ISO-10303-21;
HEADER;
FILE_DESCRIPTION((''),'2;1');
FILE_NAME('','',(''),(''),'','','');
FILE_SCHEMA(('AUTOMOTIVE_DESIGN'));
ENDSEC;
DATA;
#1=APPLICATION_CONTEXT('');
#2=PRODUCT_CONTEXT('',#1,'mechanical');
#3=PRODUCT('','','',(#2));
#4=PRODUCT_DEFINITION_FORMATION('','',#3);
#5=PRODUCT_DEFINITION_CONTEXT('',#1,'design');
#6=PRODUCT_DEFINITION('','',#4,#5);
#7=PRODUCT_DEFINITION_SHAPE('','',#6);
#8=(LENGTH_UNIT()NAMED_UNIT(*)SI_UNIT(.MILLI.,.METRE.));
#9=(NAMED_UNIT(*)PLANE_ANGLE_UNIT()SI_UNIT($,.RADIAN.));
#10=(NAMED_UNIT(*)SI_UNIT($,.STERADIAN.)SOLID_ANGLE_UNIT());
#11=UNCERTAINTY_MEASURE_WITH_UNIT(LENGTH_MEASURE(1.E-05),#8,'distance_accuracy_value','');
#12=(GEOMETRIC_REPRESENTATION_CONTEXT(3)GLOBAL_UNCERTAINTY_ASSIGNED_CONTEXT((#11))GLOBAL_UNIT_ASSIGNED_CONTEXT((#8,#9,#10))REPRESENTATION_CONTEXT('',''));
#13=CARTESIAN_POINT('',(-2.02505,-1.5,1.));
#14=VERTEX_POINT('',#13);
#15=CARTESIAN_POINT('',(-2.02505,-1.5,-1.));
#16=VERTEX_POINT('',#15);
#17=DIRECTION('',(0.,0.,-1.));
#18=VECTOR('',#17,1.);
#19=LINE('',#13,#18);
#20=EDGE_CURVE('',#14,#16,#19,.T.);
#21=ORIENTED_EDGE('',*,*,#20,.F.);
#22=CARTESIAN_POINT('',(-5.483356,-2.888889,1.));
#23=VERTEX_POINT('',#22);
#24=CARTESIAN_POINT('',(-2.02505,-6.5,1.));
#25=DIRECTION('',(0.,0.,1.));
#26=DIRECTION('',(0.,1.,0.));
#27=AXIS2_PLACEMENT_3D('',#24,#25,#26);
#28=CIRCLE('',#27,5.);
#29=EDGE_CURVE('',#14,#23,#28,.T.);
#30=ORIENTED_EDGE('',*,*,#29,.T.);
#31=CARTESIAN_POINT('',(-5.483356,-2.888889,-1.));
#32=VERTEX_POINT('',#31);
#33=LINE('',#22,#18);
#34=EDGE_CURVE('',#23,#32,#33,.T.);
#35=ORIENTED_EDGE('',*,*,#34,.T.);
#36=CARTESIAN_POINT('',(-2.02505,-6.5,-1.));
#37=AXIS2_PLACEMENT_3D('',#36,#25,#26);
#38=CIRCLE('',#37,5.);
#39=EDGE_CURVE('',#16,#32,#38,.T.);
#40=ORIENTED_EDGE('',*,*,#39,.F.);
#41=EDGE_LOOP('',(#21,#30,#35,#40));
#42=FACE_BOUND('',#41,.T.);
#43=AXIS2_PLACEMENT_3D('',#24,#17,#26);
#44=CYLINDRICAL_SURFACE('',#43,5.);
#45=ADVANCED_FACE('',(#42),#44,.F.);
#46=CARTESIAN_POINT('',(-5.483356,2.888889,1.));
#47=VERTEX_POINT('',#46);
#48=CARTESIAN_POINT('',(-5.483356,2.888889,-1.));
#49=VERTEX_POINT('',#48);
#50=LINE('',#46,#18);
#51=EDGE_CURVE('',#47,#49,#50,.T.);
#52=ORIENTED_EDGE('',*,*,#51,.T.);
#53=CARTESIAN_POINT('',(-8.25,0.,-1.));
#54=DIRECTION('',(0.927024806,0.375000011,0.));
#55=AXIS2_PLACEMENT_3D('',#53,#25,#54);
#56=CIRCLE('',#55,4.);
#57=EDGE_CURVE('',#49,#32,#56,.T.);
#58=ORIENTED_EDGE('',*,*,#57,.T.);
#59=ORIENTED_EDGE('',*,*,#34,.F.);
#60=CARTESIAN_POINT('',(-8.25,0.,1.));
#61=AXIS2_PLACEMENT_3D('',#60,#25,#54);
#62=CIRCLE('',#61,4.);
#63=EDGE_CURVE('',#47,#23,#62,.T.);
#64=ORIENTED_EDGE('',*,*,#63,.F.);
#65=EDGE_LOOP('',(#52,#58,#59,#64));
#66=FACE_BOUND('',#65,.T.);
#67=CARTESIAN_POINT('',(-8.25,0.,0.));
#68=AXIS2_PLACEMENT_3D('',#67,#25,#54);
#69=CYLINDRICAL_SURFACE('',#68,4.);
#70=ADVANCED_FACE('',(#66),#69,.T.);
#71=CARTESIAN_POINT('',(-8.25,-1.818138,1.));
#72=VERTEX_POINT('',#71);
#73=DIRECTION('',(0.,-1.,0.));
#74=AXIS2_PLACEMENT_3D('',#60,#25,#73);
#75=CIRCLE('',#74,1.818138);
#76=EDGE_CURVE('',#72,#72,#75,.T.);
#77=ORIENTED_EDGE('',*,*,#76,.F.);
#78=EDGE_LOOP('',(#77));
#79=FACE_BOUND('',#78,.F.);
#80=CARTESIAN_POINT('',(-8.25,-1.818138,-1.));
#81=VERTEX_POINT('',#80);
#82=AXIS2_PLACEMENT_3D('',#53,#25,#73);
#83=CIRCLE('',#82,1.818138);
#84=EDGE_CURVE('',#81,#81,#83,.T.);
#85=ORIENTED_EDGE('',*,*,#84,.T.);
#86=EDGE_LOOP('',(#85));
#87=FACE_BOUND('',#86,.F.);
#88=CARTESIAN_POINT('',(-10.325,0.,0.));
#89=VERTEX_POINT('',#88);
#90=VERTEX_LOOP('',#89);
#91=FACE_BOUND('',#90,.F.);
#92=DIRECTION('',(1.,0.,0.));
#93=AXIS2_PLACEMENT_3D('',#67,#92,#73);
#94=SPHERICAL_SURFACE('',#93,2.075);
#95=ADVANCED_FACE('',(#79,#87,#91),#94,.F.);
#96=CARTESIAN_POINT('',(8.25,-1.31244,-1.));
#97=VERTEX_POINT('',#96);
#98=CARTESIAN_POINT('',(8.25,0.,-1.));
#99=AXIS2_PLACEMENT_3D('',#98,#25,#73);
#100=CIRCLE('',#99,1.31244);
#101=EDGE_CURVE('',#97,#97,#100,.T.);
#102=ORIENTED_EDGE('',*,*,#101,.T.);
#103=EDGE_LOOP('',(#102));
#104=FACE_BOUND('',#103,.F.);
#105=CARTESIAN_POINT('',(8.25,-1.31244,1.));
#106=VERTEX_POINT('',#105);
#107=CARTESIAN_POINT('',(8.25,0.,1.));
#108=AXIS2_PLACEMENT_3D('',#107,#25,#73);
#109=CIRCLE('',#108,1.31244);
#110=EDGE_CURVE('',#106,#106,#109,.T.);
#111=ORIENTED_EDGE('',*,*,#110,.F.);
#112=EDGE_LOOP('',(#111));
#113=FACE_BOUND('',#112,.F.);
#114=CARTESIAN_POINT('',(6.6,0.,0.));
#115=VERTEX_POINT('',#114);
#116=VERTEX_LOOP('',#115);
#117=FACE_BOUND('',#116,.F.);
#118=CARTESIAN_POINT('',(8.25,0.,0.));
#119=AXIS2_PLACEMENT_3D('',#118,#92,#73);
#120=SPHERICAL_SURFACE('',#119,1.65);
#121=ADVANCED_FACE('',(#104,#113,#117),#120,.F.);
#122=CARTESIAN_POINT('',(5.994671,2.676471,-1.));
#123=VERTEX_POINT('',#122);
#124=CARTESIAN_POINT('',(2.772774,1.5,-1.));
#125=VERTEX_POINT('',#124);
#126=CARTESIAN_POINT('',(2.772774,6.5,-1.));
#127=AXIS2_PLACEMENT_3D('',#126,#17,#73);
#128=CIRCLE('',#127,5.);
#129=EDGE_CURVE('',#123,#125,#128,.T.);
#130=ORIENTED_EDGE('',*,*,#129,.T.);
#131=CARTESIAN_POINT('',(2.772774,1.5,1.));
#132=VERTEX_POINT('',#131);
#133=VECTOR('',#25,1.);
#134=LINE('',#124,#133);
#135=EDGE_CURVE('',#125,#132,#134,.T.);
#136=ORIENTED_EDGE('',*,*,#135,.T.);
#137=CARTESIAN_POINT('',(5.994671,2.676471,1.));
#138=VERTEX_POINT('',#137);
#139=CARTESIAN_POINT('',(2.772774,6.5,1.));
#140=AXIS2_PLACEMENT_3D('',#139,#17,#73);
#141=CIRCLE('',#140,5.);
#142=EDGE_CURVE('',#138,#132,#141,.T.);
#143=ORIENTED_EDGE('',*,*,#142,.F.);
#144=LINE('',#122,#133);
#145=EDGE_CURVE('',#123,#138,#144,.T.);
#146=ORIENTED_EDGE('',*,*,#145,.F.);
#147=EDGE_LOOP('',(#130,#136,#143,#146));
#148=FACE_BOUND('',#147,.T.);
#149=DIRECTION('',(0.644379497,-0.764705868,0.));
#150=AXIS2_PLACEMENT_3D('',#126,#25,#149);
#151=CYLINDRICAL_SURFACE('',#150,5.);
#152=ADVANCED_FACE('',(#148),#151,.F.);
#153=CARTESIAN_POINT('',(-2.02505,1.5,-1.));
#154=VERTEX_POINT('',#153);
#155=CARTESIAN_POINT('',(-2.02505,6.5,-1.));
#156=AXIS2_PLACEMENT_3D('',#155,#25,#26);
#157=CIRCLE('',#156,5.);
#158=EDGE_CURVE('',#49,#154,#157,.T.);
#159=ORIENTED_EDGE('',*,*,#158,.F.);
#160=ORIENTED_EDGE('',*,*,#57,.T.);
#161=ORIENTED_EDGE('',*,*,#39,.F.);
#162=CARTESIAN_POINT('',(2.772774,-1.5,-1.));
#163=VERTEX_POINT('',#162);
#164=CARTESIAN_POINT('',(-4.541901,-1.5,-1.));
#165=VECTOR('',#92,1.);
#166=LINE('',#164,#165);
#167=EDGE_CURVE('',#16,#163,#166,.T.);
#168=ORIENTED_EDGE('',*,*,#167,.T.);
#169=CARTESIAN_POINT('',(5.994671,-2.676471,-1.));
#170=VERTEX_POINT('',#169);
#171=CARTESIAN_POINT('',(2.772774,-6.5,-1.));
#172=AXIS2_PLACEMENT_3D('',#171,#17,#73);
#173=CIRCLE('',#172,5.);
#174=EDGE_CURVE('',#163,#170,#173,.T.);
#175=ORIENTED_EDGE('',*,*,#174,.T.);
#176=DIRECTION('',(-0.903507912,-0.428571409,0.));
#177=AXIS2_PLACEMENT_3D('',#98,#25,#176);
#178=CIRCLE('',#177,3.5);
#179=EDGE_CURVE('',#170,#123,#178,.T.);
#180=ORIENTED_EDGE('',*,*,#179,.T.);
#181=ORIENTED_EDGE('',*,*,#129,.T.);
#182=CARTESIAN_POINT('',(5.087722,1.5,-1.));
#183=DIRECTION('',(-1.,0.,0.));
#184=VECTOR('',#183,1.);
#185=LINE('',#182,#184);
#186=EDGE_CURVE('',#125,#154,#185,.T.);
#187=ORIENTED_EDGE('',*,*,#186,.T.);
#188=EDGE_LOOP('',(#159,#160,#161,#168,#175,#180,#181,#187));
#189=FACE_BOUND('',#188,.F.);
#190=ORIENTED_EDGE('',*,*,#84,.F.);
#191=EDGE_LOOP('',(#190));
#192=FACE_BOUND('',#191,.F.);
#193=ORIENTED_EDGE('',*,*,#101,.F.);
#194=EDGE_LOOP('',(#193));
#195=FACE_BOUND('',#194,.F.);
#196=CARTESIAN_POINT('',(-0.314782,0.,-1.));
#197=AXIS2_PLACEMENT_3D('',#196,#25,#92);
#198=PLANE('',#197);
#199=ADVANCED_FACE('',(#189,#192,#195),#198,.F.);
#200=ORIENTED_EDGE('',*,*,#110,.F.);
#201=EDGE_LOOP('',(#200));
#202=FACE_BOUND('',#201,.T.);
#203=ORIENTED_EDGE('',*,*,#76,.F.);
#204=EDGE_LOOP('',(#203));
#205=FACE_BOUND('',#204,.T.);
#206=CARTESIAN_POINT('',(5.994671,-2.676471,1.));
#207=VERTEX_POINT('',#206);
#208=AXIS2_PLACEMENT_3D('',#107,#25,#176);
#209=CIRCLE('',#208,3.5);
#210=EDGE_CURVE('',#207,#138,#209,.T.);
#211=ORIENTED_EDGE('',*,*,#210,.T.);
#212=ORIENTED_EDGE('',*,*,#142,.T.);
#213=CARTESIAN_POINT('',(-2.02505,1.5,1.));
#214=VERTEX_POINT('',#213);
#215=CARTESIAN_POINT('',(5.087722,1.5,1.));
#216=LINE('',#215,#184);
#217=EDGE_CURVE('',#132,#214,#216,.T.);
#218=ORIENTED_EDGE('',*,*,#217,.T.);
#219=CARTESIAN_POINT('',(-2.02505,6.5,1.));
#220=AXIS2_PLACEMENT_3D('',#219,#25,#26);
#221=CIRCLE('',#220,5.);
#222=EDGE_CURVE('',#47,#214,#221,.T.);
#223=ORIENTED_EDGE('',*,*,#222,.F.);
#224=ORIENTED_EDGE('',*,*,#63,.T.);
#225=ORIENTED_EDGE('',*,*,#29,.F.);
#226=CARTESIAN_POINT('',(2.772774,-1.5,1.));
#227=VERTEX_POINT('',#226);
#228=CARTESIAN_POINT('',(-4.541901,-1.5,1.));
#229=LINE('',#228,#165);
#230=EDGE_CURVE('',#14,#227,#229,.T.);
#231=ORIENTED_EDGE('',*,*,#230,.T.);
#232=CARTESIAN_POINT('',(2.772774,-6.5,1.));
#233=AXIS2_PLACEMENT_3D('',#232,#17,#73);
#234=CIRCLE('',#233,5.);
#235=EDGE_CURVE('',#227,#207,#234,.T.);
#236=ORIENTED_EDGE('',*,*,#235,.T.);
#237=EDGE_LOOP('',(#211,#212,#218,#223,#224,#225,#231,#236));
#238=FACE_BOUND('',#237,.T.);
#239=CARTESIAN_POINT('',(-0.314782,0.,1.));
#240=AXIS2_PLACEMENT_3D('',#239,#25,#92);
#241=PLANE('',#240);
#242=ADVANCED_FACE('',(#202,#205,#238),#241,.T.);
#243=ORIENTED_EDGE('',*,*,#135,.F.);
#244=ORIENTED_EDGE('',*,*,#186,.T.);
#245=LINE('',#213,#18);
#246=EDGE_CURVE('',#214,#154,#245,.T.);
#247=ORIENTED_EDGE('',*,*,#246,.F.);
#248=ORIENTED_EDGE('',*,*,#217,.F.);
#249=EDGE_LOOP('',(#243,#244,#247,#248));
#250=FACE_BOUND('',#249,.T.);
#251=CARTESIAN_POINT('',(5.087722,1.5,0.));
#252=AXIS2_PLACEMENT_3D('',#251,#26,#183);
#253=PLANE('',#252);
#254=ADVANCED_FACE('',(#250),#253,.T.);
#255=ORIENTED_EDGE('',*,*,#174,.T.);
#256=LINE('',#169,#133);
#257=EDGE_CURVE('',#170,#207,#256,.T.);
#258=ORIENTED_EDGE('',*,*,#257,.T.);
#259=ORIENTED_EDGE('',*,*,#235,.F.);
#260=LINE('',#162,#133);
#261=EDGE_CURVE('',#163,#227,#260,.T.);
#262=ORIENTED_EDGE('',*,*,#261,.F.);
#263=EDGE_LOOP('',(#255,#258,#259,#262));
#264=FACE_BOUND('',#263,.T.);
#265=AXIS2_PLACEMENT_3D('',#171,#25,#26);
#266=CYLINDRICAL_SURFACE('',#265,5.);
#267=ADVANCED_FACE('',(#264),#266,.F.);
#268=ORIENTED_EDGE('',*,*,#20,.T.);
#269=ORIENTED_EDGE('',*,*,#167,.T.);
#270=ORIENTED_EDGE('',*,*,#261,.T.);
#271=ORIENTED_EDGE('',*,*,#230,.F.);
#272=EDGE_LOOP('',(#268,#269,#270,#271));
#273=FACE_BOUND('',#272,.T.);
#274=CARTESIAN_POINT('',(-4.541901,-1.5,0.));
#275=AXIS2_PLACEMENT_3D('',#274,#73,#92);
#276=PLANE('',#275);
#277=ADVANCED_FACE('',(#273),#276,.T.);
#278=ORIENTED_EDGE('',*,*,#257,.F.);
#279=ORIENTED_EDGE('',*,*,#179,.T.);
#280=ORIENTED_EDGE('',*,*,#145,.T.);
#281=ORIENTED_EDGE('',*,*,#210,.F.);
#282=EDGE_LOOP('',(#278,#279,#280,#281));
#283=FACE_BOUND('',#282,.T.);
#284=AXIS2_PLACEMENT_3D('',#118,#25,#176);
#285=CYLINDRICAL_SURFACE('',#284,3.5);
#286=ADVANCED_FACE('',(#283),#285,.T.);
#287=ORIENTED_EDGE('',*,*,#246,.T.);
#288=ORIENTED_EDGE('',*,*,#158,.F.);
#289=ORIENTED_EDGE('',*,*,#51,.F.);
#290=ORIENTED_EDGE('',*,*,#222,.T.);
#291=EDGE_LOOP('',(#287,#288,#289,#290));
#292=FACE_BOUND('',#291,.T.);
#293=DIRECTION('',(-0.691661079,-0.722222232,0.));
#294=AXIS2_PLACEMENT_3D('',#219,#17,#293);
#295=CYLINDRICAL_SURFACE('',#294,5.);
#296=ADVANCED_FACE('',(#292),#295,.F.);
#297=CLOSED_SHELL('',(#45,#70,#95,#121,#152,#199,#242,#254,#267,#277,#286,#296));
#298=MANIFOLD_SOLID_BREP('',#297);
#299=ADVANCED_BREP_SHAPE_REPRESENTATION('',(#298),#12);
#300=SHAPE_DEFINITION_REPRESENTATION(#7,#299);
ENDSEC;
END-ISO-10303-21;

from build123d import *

# Parameters (mm, degrees)
F1_DEPTH = 1
F3_R     = 5


with BuildPart() as f1:
    # F0 (on Top) → F1 (new body, symmetric)
    with BuildSketch(Plane.XY):
        with BuildLine():
            Line((-4.541901, -1.5), (5.087722, -1.5))
            ThreePointArc((5.087722, -1.5), (11.75, 0), (5.087722, 1.5))
            Line((5.087722, 1.5), (-4.541901, 1.5))
            ThreePointArc((-4.541901, 1.5), (-12.25, 0), (-4.541901, -1.5))
        make_face()
        with BuildLine():
            ThreePointArc((-6.175, 0), (-8.25, -2.075), (-10.325, 0))
            Line((-10.325, 0), (-6.175, 0))
        make_face(mode=Mode.SUBTRACT)
        with BuildLine():
            ThreePointArc((9.9, 0), (8.25, -1.65), (6.6, 0))
            Line((6.6, 0), (9.9, 0))
        make_face(mode=Mode.SUBTRACT)
        with BuildLine():
            Line((-6.175, 0), (-10.325, 0))
            ThreePointArc((-10.325, 0), (-8.25, -2.075), (-6.175, 0))
        make_face()
        with BuildLine():
            Line((9.9, 0), (6.6, 0))
            ThreePointArc((6.6, 0), (8.25, -1.65), (9.9, 0))
        make_face()
    extrude(amount=F1_DEPTH, both=True)

    # F0 (on Top) → F2 (revolve, cut)
    with BuildSketch(Plane.XY):
        with BuildLine():
            Line((-6.175, 0), (-10.325, 0))
            ThreePointArc((-10.325, 0), (-8.25, -2.075), (-6.175, 0))
        make_face()
        with BuildLine():
            Line((9.9, 0), (6.6, 0))
            ThreePointArc((6.6, 0), (8.25, -1.65), (9.9, 0))
        make_face()
    revolve(axis=Axis((3.561865, 0, 0), (1, 0, 0)), mode=Mode.SUBTRACT)

    # F3
    f3_edges = [f1.edges().sort_by_distance(p)[0] for p in [
        (-4.541901, 1.5, 0),
        (5.087722, 1.5, 0),
        (-4.541901, -1.5, 0),
        (5.087722, -1.5, 0),
    ]]
    fillet(f3_edges, radius=F3_R)


solid = f1.part
